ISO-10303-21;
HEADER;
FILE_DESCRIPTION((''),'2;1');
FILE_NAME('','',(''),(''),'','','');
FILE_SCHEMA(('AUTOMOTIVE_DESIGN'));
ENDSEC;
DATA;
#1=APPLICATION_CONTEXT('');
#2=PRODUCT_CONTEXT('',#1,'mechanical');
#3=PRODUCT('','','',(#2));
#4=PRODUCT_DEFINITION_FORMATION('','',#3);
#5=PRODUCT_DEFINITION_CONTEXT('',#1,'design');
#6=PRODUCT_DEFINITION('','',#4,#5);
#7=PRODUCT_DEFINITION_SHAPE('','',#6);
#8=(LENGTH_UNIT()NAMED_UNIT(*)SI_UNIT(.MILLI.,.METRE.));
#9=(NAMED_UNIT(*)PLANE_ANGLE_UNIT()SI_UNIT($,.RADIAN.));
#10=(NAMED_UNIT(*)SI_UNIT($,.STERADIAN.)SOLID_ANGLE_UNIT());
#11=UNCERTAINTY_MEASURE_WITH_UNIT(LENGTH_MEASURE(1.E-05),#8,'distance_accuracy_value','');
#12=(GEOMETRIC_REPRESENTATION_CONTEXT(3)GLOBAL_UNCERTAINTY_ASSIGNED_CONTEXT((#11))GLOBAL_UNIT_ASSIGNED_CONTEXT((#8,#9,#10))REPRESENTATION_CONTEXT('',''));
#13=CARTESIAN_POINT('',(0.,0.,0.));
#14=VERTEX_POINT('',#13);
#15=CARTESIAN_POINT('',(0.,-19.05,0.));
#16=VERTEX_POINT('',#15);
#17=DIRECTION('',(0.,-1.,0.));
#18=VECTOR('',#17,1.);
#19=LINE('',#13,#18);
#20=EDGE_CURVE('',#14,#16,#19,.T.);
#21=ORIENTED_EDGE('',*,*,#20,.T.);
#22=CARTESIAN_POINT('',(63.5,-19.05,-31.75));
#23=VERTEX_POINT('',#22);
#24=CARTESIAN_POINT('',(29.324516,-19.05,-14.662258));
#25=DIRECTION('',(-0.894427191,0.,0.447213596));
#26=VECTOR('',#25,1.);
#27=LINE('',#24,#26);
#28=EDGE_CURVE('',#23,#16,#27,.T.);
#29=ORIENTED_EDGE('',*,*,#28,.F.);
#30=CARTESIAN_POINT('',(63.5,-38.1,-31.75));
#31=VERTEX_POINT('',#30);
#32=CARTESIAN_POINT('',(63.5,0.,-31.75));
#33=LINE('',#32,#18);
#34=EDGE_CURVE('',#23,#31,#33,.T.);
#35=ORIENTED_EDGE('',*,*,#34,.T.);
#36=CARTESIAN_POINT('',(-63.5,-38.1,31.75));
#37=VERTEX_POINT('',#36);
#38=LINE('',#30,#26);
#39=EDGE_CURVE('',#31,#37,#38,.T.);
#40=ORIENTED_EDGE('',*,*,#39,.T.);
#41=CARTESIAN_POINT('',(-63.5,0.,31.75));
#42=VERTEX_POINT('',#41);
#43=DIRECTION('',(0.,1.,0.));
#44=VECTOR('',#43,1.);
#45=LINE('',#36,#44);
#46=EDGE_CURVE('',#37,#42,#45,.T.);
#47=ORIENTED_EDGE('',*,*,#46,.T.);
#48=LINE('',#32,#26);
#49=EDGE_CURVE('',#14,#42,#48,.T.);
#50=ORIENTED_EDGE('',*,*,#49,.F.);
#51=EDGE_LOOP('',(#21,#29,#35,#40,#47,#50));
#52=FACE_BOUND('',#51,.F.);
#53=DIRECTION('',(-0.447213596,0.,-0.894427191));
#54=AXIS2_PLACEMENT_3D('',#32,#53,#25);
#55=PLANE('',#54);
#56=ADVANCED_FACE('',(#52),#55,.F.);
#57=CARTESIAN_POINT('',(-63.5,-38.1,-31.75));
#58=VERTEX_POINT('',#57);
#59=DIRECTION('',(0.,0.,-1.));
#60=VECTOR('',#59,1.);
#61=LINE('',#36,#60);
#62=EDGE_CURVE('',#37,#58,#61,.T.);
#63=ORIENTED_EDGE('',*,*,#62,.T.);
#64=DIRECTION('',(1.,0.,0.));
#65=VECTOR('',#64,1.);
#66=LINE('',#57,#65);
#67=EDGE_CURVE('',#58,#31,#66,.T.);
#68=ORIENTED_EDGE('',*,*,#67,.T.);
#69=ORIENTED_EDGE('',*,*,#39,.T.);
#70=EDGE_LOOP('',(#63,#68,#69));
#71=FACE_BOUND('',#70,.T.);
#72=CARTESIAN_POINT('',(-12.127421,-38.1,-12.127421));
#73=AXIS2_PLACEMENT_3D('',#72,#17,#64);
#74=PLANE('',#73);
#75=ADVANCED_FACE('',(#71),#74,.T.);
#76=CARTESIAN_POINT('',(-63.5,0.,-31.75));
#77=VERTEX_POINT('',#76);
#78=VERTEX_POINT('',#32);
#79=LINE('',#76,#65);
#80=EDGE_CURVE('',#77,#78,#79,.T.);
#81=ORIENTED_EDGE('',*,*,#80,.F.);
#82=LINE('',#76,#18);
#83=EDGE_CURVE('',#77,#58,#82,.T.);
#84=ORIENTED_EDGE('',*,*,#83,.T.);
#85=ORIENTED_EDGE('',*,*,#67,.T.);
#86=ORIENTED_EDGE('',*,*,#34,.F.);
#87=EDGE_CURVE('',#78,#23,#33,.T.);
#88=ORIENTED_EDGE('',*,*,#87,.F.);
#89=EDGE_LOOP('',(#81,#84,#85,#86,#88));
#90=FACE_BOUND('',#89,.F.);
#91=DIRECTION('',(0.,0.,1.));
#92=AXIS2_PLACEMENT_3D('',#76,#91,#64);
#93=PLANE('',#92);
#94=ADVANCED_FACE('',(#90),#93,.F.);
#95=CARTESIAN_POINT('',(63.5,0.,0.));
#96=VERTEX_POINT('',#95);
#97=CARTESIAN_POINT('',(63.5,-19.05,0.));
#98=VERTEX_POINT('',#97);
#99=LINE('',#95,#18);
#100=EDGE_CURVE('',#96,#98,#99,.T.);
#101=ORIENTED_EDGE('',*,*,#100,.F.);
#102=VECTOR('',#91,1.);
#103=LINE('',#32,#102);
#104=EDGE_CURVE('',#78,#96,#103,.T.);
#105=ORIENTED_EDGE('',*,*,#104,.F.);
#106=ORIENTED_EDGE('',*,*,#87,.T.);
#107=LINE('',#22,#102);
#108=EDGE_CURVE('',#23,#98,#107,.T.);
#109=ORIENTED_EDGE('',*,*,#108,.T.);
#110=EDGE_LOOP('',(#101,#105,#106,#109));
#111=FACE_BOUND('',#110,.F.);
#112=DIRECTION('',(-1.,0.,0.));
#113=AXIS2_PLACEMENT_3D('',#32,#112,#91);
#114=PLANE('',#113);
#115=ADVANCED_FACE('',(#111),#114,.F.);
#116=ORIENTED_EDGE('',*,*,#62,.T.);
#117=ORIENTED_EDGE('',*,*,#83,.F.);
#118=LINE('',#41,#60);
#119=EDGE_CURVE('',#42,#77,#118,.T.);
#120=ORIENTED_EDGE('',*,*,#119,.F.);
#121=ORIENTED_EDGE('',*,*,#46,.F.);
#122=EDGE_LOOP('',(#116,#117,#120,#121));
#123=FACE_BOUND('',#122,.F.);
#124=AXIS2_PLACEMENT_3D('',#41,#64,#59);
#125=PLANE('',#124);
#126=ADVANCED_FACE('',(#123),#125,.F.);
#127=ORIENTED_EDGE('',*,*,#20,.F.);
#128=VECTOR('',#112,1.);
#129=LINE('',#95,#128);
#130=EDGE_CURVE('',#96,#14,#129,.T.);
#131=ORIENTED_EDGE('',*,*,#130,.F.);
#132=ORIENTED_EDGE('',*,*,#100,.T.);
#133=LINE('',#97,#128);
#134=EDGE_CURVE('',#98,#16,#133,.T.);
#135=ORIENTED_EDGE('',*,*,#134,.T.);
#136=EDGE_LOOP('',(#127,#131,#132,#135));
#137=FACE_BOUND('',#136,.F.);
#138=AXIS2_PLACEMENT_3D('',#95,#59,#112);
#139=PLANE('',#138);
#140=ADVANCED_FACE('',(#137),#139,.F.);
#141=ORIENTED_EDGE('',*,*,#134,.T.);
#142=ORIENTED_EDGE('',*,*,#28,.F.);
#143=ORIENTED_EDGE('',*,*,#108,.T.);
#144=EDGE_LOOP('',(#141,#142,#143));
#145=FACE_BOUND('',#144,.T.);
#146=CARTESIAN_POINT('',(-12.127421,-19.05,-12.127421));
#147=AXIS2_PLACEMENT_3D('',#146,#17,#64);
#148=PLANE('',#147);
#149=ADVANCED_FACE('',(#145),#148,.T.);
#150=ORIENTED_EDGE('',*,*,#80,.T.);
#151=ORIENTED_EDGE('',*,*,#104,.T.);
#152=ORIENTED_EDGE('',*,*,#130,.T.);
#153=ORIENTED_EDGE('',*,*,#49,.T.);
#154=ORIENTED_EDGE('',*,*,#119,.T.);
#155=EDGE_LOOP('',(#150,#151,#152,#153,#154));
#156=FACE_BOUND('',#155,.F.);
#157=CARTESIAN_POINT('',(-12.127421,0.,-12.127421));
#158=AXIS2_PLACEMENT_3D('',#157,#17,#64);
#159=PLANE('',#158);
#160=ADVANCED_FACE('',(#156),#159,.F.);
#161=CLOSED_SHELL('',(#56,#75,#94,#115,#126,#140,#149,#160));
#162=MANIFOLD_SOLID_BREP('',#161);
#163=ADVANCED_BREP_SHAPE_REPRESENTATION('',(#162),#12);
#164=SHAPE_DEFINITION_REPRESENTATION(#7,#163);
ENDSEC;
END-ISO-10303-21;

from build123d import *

# Parameters (mm, degrees)
F1_DEPTH = 38.1
F2_DEPTH = 19.05


with BuildPart() as f1:
    # F0 (on Front) → F1 (new body)
    with BuildSketch(Plane.XZ):
        Polygon((-63.5, 31.75), (-63.5, -31.75), (63.5, -31.75), (0, 0), align=None)
    extrude(amount=F1_DEPTH)

    # F0 (on Front) → F2 (join)
    with BuildSketch(Plane.XZ):
        Polygon((-63.5, 31.75), (-63.5, -31.75), (63.5, -31.75), (0, 0), align=None)
        Polygon((0, 0), (63.5, -31.75), (63.5, 0), align=None)
    extrude(amount=F2_DEPTH)


solid = f1.part
